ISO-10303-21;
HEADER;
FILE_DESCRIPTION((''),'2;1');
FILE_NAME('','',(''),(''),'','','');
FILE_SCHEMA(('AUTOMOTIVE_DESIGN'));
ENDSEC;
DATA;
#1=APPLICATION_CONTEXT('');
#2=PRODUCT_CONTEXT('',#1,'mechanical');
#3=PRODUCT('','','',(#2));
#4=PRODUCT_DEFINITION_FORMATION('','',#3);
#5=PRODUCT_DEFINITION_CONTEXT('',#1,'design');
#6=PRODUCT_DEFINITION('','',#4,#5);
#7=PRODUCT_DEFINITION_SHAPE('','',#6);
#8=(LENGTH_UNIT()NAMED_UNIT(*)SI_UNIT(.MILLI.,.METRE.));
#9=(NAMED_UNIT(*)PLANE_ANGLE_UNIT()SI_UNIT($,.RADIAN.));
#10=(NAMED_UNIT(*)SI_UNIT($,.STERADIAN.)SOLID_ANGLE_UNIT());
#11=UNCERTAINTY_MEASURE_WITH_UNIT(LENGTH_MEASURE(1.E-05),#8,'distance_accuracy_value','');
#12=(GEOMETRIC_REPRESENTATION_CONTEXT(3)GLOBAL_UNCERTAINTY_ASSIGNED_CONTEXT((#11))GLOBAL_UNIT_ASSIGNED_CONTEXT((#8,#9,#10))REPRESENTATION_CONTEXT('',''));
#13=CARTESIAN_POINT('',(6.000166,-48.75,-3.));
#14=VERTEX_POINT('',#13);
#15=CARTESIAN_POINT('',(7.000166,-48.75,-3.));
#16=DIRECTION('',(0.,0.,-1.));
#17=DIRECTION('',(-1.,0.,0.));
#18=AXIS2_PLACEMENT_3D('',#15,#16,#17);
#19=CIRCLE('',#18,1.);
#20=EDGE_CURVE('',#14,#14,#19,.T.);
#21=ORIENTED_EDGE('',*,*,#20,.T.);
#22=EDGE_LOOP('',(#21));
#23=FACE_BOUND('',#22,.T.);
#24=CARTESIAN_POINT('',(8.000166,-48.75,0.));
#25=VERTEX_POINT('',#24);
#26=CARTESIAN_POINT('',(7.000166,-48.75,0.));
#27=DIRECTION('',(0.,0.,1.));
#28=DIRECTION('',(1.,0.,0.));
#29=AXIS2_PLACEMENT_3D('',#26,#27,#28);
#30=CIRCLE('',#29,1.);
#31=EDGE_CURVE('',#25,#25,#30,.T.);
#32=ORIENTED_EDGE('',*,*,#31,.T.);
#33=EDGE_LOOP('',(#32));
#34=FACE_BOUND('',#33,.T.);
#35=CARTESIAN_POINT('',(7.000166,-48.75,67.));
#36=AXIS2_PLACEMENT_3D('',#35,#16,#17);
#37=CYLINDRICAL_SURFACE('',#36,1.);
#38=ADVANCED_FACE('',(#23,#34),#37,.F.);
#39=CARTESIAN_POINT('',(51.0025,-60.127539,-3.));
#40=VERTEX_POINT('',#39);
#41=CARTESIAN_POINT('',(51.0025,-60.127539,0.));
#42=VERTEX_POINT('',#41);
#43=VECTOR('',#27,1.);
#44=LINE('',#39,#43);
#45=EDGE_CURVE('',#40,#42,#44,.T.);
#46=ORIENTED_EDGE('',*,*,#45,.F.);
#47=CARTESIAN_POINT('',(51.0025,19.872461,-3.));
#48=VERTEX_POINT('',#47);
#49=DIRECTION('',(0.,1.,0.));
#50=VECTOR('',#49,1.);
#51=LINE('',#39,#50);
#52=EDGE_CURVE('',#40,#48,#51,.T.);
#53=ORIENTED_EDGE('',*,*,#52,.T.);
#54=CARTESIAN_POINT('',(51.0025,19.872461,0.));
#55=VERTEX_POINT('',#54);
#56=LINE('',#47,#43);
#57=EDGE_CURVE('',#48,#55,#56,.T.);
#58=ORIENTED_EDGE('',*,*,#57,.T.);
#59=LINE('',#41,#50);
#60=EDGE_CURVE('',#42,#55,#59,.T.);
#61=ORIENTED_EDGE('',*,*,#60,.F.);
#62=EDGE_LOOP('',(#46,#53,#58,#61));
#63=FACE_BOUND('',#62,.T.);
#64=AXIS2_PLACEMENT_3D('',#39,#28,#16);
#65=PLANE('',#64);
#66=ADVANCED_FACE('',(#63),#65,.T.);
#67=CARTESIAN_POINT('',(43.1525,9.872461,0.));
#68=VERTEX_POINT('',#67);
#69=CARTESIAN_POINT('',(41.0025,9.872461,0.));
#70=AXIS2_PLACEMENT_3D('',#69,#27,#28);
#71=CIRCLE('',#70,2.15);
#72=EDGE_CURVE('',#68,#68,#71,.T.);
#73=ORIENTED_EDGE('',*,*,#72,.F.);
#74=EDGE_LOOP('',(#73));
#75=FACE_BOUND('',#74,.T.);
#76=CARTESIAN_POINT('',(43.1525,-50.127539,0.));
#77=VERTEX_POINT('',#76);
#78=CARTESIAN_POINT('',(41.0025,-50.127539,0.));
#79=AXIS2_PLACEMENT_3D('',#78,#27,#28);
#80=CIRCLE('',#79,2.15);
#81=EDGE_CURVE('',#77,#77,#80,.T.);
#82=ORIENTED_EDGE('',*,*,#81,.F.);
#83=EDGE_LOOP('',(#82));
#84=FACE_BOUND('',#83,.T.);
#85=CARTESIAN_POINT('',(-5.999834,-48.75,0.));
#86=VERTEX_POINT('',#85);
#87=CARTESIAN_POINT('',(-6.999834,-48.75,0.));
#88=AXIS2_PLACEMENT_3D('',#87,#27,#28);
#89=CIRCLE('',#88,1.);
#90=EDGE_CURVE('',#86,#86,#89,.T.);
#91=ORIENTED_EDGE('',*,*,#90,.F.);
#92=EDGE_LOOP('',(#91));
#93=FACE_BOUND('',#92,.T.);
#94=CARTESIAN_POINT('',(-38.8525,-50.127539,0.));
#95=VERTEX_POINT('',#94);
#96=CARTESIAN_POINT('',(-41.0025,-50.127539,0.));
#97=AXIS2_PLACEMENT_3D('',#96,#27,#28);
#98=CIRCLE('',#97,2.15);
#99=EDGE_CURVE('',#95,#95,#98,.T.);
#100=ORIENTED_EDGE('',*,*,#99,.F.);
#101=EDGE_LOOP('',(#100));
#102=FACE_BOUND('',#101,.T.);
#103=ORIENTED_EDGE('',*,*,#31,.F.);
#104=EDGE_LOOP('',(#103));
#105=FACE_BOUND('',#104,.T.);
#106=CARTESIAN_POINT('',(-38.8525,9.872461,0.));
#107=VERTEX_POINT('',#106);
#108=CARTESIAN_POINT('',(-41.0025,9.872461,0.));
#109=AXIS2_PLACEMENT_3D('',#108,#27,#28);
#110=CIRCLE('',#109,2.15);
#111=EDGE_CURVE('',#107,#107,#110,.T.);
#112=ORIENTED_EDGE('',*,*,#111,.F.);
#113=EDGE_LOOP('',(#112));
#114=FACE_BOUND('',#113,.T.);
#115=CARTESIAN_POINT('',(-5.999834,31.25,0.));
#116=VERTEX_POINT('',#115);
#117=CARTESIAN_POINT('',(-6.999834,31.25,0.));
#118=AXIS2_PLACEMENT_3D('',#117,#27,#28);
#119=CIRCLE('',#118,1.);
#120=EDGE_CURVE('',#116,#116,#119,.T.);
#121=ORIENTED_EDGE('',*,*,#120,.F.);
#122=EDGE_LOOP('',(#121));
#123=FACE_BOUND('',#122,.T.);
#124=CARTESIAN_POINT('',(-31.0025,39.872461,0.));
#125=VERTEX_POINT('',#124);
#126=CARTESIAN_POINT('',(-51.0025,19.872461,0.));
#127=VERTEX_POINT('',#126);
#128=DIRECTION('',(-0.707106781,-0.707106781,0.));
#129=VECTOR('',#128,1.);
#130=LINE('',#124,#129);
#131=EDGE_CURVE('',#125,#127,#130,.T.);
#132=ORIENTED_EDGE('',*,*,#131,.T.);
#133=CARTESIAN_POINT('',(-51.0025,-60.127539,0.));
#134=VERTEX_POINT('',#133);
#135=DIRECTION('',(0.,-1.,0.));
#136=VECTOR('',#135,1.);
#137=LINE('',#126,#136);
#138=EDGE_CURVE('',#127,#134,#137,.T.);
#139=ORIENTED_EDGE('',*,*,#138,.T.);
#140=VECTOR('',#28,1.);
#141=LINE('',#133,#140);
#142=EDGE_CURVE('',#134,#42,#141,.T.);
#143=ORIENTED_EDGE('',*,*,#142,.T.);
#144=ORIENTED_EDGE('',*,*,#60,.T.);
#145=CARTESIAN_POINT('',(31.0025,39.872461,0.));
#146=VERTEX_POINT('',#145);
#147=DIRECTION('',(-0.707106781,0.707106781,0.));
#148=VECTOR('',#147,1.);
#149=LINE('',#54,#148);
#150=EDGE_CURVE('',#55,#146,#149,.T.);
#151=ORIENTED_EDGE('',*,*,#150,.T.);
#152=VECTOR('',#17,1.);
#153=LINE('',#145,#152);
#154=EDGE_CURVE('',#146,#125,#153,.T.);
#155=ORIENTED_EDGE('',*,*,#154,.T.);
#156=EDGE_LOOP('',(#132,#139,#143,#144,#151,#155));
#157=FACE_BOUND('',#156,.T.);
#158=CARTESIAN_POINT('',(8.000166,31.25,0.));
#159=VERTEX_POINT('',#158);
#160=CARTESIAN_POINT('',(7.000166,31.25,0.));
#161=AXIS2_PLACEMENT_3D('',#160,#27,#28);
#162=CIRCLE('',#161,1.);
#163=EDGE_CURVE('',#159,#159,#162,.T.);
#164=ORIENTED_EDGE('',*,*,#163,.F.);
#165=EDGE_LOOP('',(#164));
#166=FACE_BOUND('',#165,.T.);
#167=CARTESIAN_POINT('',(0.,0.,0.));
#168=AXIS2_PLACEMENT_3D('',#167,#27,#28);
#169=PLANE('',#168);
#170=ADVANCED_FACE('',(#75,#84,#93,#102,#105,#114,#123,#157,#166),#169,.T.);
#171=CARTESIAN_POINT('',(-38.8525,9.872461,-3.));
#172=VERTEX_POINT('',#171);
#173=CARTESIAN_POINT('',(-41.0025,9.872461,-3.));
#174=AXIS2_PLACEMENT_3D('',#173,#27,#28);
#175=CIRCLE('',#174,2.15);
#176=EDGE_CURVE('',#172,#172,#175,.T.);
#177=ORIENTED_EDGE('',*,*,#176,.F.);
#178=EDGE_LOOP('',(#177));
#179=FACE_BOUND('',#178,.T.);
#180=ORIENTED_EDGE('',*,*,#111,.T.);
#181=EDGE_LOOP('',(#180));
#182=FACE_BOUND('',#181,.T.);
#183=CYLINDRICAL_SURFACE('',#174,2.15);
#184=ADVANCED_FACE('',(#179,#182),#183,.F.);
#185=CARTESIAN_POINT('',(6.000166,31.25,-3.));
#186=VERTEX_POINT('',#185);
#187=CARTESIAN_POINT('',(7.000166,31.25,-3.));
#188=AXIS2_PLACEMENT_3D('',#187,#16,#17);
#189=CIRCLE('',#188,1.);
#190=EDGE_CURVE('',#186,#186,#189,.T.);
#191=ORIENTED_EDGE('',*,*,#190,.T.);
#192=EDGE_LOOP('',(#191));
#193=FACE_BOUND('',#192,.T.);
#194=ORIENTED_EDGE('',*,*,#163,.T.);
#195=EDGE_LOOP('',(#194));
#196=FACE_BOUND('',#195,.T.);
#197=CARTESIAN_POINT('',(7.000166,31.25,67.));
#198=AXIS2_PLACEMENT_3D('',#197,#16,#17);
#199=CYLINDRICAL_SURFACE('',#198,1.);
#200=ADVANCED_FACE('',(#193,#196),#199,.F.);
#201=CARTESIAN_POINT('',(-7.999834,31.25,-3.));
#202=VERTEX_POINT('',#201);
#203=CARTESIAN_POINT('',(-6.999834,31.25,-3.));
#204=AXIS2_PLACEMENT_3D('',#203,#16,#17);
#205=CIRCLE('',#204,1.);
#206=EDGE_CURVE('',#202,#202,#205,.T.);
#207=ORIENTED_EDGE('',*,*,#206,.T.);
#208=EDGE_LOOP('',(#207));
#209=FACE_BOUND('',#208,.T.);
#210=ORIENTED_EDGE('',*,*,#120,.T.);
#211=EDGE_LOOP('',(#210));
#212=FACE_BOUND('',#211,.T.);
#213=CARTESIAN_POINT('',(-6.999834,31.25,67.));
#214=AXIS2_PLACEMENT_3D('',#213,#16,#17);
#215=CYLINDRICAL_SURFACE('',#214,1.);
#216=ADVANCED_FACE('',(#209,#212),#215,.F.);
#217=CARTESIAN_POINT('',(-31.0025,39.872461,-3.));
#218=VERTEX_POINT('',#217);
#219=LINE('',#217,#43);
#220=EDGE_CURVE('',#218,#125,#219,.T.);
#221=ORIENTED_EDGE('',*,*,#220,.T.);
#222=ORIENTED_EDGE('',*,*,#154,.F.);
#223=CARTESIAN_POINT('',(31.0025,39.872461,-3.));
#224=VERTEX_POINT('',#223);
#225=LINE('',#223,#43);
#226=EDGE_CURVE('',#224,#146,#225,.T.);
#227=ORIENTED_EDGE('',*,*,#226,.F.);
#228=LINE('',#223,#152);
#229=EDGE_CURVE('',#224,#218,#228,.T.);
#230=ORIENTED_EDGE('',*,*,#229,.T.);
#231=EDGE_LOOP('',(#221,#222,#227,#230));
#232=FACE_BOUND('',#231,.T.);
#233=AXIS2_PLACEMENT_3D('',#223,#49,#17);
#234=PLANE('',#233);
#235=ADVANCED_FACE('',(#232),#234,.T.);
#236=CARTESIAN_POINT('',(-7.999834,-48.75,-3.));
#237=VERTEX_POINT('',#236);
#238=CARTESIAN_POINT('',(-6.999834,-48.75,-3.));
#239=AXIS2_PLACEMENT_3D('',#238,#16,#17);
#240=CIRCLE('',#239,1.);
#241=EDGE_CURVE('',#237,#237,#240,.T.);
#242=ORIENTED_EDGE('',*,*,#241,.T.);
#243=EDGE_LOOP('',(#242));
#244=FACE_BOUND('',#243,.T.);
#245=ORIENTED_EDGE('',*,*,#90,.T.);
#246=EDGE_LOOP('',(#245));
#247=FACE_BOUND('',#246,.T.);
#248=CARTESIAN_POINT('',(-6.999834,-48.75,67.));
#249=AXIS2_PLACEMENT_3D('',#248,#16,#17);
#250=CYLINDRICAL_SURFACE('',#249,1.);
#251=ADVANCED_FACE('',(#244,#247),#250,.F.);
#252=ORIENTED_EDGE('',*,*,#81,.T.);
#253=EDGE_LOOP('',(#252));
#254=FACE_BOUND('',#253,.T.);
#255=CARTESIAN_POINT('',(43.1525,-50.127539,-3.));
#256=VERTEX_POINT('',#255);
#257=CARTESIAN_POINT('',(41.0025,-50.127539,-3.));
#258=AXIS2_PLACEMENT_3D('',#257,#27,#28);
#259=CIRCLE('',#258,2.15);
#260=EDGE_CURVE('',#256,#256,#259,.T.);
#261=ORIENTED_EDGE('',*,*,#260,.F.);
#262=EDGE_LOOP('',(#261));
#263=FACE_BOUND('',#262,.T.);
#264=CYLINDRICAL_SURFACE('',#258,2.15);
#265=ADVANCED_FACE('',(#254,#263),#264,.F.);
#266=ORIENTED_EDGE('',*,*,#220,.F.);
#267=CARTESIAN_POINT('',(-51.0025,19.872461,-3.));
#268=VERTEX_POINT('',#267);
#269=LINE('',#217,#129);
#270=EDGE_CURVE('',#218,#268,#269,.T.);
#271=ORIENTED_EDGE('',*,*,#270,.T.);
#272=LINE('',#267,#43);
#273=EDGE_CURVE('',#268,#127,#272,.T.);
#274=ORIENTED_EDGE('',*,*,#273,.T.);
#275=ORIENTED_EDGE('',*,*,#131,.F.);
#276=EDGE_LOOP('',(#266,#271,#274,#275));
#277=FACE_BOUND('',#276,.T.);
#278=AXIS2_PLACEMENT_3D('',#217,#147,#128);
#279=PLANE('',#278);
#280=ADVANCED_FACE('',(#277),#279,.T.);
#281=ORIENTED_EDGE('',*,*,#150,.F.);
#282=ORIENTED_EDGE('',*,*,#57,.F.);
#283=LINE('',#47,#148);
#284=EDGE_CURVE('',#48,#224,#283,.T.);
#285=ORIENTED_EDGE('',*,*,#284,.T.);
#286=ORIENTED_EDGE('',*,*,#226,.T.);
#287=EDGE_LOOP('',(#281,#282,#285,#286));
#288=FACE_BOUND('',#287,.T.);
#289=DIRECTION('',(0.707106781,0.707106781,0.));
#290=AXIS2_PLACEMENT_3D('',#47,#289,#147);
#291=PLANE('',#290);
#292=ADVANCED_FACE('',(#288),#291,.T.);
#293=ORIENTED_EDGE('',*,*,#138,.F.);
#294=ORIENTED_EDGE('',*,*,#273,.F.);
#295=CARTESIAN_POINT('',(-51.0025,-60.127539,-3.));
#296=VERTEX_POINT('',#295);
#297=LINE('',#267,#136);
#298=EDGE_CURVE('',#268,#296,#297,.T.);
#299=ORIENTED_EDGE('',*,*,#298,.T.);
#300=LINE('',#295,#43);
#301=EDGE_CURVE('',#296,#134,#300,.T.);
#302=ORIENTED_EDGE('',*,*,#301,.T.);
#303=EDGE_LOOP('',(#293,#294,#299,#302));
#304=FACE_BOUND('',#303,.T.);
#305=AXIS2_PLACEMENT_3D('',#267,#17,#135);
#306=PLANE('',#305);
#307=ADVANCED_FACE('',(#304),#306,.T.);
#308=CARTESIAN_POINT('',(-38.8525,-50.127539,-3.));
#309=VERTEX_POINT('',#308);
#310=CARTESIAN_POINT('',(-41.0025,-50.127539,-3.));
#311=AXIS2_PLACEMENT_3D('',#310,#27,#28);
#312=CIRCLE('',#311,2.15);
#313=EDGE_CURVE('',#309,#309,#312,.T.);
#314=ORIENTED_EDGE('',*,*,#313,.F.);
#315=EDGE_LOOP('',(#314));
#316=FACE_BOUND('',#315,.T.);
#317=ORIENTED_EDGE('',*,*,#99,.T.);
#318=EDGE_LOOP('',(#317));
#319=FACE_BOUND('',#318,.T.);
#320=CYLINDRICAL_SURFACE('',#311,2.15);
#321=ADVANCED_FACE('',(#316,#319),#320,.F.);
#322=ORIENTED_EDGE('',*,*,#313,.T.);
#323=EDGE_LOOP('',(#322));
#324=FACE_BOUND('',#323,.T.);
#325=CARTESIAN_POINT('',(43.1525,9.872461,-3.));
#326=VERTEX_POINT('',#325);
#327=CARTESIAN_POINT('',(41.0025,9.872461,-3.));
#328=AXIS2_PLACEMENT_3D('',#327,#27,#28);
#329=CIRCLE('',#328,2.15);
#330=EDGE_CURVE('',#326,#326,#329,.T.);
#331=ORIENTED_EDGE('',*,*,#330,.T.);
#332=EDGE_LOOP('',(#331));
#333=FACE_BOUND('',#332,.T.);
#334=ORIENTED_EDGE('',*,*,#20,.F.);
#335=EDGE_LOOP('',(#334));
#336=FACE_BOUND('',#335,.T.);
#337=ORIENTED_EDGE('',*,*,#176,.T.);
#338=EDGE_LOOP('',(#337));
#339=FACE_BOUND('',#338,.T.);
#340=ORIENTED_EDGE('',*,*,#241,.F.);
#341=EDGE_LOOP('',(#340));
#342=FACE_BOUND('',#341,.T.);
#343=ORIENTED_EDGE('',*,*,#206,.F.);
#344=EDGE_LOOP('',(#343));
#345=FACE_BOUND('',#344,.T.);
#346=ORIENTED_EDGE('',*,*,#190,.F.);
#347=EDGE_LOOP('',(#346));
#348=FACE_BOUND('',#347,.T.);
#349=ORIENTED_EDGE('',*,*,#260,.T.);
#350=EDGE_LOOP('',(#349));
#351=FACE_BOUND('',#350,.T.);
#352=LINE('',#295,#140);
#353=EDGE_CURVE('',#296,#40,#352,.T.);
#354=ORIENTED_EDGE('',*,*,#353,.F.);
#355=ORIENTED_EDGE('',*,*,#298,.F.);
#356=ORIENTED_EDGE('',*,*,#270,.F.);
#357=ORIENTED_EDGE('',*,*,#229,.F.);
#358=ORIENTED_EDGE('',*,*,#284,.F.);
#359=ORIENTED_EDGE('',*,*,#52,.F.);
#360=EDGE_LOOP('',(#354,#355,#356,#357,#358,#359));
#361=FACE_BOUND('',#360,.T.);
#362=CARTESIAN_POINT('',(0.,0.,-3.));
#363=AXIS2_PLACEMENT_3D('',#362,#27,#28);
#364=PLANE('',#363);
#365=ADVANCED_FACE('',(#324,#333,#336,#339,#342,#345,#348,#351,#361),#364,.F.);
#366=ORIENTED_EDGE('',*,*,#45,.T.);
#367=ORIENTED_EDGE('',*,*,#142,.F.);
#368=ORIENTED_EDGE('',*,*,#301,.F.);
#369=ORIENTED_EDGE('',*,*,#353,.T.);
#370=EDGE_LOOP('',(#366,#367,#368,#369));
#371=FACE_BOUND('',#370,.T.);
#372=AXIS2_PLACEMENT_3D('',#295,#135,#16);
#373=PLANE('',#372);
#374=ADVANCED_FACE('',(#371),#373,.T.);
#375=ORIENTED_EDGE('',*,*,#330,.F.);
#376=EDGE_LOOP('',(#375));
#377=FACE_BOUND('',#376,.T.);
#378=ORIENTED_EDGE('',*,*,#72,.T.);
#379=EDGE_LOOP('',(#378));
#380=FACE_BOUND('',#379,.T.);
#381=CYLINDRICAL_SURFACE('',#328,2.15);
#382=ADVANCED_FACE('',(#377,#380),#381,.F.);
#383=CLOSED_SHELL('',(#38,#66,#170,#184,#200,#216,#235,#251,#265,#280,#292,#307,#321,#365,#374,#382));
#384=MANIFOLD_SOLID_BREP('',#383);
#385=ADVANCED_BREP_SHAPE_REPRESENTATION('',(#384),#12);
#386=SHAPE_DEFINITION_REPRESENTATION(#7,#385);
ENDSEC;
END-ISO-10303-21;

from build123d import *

# Parameters (mm, degrees)
EXTRUDE_1_DEPTH     = 3
SKETCH_2_R          = 2.15
CUT_EXTRUDE_1_DEPTH = 3
SKETCH_3_R          = 1
CUT_EXTRUDE_2_DEPTH = 70


with BuildPart() as part:
    # 草图1 → 凸台-拉伸1 (new body)
    with BuildSketch(Plane.XY):
        Polygon((-51.0025, -60.127538713), (51.0025, -60.127538713), (51.0025, 19.872461287), (31.0025, 39.872461287), (-31.0025, 39.872461287), (-51.0025, 19.872461287), align=None)
    extrude(amount=-EXTRUDE_1_DEPTH)

    # 草图2 → 切除-拉伸1 (cut)
    with BuildSketch(Plane.XY):
        with Locations((-41.0025, 9.872461287)):
            Circle(SKETCH_2_R)
        with Locations((-41.0025, -50.127538713)):
            Circle(SKETCH_2_R)
        with Locations((41.0025, 9.872461287)):
            Circle(SKETCH_2_R)
        with Locations((41.0025, -50.127538713)):
            Circle(SKETCH_2_R)
    extrude(amount=-CUT_EXTRUDE_1_DEPTH, mode=Mode.SUBTRACT)

    # 草图3 → 切除-拉伸2 (cut)
    with BuildSketch(Plane(origin=(0, 0, -3), x_dir=(-1, 0, 0), z_dir=(0, 0, -1))):
        with Locations((-7.000166, 31.25)):
            Circle(SKETCH_3_R)
        with Locations((6.999834, 31.25)):
            Circle(SKETCH_3_R)
        with Locations((-7.000166, -48.75)):
            Circle(SKETCH_3_R)
        with Locations((6.999834, -48.75)):
            Circle(SKETCH_3_R)
    extrude(amount=-CUT_EXTRUDE_2_DEPTH, mode=Mode.SUBTRACT)


solid = part.part
